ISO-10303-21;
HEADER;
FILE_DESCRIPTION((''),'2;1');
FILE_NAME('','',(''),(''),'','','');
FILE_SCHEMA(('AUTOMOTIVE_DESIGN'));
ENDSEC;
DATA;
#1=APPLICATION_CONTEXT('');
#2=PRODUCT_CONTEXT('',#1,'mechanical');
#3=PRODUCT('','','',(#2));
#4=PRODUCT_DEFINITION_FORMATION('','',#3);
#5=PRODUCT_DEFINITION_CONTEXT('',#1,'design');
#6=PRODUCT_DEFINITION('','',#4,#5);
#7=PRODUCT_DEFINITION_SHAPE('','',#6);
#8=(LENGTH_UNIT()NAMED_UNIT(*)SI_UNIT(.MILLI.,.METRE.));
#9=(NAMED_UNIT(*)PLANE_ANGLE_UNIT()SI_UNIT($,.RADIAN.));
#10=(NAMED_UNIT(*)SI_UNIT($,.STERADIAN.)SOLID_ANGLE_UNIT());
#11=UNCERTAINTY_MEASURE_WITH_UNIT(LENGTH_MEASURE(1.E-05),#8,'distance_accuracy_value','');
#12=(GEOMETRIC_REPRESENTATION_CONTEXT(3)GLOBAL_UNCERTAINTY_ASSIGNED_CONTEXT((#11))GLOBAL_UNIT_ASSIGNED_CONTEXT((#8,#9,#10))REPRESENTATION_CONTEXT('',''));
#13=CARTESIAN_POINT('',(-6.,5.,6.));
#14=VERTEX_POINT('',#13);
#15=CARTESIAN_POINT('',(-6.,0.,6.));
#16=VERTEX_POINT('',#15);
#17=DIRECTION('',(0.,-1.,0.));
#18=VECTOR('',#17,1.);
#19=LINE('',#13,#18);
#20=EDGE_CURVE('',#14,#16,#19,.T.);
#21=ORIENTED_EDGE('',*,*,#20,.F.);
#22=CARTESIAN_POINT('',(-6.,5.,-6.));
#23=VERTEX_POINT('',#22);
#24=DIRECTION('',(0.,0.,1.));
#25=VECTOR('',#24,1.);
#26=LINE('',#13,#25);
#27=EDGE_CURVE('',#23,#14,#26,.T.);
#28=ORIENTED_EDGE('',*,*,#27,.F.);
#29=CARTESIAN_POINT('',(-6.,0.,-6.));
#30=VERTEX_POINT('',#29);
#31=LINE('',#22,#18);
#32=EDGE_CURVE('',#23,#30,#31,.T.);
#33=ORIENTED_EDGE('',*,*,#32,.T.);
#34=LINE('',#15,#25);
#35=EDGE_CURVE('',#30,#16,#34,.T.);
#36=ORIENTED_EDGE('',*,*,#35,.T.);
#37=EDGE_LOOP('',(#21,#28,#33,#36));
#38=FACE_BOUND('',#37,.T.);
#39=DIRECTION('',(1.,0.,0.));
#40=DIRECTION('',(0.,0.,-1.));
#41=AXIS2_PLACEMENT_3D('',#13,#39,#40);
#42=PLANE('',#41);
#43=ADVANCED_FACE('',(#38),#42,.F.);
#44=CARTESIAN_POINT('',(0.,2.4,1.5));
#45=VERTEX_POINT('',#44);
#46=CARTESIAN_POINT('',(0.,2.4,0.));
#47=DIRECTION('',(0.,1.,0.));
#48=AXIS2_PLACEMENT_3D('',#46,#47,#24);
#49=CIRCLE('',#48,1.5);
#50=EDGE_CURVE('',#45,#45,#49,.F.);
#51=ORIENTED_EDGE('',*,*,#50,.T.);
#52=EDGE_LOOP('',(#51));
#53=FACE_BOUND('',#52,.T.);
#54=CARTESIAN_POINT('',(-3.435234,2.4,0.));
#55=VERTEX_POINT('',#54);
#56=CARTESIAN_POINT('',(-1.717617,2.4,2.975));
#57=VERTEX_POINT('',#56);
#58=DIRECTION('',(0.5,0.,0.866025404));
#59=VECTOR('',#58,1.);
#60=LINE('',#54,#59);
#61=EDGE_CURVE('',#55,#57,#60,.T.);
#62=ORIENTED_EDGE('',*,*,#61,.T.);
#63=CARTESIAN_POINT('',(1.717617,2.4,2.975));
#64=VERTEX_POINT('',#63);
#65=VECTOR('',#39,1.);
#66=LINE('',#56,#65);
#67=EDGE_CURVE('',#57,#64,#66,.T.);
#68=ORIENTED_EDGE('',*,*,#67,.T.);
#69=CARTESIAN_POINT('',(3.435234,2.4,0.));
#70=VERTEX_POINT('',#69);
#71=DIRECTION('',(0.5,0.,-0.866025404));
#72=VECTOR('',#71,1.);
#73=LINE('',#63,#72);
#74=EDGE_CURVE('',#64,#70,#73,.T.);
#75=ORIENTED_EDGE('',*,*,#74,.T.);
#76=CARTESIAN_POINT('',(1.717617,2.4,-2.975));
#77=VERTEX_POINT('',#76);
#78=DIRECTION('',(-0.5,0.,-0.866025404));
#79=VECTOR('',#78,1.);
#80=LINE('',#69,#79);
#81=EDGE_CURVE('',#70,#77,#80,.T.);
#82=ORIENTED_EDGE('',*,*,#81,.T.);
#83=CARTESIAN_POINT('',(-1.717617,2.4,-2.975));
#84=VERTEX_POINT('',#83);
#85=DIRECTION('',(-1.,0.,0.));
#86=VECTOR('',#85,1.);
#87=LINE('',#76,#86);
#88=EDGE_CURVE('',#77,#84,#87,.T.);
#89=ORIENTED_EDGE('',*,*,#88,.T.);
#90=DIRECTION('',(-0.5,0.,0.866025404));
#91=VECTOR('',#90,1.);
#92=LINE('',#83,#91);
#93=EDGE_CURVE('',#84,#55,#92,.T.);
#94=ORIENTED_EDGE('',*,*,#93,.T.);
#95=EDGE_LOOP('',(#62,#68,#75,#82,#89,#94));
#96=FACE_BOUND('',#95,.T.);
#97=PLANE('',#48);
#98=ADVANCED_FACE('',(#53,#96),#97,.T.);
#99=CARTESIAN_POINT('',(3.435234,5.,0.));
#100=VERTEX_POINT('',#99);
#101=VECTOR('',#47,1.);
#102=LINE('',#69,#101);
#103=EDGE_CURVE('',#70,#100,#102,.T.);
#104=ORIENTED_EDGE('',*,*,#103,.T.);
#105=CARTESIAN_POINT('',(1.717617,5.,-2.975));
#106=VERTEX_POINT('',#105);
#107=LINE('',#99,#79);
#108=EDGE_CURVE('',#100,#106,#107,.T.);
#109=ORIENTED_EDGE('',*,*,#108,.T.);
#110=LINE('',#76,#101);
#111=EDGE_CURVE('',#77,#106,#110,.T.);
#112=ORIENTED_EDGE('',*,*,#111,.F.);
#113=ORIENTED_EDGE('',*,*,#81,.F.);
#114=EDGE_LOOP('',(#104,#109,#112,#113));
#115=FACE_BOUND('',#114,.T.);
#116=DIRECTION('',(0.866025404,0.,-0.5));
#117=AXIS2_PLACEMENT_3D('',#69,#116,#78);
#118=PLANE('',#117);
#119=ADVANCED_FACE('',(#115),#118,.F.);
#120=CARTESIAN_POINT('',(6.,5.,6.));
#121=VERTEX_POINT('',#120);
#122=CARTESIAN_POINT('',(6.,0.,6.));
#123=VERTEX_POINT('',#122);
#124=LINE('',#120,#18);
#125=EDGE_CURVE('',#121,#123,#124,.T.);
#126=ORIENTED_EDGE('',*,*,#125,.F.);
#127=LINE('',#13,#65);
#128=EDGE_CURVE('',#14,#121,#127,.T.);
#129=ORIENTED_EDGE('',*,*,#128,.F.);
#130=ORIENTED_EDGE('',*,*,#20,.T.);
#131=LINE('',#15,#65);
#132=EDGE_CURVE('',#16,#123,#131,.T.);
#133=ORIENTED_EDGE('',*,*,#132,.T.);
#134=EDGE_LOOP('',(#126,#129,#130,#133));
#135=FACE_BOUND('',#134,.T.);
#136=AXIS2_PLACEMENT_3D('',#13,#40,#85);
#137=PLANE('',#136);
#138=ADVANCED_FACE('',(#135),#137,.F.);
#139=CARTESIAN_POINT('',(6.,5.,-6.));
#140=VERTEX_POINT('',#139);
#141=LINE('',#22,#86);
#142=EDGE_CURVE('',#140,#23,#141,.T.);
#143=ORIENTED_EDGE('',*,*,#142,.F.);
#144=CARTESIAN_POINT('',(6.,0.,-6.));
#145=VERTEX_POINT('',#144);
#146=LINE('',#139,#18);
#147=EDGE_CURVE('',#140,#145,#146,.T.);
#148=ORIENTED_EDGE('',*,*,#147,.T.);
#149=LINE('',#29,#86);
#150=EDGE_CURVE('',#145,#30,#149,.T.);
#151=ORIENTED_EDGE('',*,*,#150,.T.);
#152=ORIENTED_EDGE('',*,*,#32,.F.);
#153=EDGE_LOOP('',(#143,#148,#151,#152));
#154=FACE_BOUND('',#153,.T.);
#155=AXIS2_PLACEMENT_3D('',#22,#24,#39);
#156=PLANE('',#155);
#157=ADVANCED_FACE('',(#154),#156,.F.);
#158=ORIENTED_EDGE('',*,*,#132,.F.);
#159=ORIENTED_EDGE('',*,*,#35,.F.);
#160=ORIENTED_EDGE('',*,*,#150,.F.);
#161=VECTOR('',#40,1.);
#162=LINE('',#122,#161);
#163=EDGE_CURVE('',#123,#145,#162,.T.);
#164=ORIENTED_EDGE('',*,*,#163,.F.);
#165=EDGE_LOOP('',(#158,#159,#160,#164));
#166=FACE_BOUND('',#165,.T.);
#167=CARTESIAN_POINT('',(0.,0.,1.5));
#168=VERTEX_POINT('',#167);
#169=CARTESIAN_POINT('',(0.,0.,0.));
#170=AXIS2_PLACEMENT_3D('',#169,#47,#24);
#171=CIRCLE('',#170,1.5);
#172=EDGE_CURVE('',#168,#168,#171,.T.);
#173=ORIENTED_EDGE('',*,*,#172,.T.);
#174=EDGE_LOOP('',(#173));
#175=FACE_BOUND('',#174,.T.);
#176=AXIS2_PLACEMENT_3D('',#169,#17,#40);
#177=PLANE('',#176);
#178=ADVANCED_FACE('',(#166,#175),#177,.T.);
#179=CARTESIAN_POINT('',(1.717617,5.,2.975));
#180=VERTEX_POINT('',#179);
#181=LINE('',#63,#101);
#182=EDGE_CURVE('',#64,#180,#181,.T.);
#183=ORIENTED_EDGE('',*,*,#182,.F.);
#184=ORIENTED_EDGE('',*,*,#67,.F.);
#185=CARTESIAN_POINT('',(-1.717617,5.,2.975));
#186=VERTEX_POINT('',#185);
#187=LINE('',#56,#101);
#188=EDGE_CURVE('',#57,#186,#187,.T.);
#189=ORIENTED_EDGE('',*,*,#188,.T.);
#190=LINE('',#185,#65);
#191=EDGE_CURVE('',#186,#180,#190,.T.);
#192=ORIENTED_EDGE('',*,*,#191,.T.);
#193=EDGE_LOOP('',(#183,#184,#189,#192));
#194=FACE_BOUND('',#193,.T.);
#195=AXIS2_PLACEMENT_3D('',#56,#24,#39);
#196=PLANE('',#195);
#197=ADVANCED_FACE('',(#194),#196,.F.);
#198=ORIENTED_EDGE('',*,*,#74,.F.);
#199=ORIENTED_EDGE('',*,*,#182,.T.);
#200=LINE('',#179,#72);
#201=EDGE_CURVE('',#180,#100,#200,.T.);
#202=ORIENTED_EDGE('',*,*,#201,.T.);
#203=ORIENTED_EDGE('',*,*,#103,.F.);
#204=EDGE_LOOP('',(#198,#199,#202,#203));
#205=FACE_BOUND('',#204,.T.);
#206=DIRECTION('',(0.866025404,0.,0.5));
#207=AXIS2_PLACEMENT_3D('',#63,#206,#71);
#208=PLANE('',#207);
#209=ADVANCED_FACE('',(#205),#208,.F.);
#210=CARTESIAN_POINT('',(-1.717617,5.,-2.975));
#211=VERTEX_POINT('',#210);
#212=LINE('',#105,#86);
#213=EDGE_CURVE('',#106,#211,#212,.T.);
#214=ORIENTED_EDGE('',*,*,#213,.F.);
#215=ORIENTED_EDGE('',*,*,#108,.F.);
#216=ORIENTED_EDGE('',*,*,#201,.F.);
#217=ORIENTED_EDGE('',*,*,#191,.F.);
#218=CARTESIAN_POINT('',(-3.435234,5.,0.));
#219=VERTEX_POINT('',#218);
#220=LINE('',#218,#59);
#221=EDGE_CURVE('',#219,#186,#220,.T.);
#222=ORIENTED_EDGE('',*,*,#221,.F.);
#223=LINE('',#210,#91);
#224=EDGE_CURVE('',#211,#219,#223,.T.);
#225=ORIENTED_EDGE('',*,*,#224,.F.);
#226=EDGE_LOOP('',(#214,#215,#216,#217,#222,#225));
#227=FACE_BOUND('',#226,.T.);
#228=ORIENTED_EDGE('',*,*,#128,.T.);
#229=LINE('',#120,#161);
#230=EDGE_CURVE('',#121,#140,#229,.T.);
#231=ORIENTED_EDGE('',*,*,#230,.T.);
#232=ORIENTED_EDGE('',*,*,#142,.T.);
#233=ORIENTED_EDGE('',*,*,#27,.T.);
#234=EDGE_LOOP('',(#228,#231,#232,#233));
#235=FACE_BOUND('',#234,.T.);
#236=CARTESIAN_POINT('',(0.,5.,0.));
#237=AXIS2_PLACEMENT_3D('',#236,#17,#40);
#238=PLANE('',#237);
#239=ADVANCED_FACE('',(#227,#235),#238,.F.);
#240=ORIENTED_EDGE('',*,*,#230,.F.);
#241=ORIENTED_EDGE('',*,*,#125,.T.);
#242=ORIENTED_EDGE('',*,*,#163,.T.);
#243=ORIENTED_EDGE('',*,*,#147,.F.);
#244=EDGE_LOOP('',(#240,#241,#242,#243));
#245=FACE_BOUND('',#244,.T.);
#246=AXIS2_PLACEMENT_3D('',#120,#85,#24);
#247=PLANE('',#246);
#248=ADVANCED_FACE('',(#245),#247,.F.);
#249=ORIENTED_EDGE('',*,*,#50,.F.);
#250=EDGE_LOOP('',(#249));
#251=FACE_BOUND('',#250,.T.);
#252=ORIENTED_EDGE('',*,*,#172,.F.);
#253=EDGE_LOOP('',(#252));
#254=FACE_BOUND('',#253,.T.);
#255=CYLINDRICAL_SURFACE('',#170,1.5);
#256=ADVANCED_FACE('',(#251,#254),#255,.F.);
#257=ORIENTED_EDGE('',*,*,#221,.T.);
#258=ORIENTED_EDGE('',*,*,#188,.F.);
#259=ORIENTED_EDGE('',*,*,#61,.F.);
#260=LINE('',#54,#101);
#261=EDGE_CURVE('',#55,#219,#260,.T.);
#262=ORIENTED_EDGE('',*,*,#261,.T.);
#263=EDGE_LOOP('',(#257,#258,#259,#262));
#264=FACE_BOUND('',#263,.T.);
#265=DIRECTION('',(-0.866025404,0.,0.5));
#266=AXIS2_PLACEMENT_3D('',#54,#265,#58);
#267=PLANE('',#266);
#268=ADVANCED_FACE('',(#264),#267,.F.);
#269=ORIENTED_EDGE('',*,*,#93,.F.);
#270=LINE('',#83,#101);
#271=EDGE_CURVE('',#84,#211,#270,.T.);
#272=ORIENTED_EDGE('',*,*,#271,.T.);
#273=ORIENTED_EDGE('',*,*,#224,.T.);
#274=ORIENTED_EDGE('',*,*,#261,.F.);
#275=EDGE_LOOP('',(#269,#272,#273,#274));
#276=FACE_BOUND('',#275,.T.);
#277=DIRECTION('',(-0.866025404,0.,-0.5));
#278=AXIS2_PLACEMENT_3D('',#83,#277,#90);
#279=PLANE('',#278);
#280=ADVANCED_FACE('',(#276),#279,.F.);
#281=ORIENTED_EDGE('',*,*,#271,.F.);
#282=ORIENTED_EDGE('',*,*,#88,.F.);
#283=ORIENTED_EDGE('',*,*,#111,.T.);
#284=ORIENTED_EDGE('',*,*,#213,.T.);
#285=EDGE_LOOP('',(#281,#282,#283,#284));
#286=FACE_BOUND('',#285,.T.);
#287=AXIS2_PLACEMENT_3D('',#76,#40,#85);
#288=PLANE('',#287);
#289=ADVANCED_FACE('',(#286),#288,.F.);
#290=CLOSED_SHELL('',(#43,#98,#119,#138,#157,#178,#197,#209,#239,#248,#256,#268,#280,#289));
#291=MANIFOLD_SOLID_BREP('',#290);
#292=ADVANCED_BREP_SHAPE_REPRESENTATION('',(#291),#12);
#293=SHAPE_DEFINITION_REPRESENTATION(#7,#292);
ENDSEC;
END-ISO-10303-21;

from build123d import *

# Parameters (mm, degrees)
SKETCH1_W           = 12
SKETCH1_H           = 12
BOSS_EXTRUDE1_DEPTH = 5
SKETCH2_R           = 1.5
CUT_EXTRUDE1_DEPTH  = 5
CUT_EXTRUDE2_DEPTH  = 2.6


with BuildPart() as part:
    # Sketch1 → Boss-Extrude1 (new body)
    with BuildSketch(Plane(origin=(0, 0, 0), x_dir=(1, 0, 0), z_dir=(0, 1, 0))):
        Rectangle(SKETCH1_W, SKETCH1_H)
    extrude(amount=BOSS_EXTRUDE1_DEPTH)

    # Sketch2 → Cut-Extrude1 (cut)
    with BuildSketch(Plane(origin=(0, 5, 0), x_dir=(1, 0, 0), z_dir=(0, 1, 0))):
        with Locations(Location((0, 0, 0), (0, 0, 270))):
            Circle(SKETCH2_R)
    extrude(amount=-CUT_EXTRUDE1_DEPTH, mode=Mode.SUBTRACT)

    # Sketch3 → Cut-Extrude2 (cut)
    with BuildSketch(Plane(origin=(0, 5, 0), x_dir=(1, 0, 0), z_dir=(0, 1, 0))):
        Polygon((3.435234102, 0), (1.717617051, 2.975), (-1.717617051, 2.975), (-3.435234102, 0), (-1.717617051, -2.975), (1.717617051, -2.975), align=None)
    extrude(amount=-CUT_EXTRUDE2_DEPTH, mode=Mode.SUBTRACT)


solid = part.part
